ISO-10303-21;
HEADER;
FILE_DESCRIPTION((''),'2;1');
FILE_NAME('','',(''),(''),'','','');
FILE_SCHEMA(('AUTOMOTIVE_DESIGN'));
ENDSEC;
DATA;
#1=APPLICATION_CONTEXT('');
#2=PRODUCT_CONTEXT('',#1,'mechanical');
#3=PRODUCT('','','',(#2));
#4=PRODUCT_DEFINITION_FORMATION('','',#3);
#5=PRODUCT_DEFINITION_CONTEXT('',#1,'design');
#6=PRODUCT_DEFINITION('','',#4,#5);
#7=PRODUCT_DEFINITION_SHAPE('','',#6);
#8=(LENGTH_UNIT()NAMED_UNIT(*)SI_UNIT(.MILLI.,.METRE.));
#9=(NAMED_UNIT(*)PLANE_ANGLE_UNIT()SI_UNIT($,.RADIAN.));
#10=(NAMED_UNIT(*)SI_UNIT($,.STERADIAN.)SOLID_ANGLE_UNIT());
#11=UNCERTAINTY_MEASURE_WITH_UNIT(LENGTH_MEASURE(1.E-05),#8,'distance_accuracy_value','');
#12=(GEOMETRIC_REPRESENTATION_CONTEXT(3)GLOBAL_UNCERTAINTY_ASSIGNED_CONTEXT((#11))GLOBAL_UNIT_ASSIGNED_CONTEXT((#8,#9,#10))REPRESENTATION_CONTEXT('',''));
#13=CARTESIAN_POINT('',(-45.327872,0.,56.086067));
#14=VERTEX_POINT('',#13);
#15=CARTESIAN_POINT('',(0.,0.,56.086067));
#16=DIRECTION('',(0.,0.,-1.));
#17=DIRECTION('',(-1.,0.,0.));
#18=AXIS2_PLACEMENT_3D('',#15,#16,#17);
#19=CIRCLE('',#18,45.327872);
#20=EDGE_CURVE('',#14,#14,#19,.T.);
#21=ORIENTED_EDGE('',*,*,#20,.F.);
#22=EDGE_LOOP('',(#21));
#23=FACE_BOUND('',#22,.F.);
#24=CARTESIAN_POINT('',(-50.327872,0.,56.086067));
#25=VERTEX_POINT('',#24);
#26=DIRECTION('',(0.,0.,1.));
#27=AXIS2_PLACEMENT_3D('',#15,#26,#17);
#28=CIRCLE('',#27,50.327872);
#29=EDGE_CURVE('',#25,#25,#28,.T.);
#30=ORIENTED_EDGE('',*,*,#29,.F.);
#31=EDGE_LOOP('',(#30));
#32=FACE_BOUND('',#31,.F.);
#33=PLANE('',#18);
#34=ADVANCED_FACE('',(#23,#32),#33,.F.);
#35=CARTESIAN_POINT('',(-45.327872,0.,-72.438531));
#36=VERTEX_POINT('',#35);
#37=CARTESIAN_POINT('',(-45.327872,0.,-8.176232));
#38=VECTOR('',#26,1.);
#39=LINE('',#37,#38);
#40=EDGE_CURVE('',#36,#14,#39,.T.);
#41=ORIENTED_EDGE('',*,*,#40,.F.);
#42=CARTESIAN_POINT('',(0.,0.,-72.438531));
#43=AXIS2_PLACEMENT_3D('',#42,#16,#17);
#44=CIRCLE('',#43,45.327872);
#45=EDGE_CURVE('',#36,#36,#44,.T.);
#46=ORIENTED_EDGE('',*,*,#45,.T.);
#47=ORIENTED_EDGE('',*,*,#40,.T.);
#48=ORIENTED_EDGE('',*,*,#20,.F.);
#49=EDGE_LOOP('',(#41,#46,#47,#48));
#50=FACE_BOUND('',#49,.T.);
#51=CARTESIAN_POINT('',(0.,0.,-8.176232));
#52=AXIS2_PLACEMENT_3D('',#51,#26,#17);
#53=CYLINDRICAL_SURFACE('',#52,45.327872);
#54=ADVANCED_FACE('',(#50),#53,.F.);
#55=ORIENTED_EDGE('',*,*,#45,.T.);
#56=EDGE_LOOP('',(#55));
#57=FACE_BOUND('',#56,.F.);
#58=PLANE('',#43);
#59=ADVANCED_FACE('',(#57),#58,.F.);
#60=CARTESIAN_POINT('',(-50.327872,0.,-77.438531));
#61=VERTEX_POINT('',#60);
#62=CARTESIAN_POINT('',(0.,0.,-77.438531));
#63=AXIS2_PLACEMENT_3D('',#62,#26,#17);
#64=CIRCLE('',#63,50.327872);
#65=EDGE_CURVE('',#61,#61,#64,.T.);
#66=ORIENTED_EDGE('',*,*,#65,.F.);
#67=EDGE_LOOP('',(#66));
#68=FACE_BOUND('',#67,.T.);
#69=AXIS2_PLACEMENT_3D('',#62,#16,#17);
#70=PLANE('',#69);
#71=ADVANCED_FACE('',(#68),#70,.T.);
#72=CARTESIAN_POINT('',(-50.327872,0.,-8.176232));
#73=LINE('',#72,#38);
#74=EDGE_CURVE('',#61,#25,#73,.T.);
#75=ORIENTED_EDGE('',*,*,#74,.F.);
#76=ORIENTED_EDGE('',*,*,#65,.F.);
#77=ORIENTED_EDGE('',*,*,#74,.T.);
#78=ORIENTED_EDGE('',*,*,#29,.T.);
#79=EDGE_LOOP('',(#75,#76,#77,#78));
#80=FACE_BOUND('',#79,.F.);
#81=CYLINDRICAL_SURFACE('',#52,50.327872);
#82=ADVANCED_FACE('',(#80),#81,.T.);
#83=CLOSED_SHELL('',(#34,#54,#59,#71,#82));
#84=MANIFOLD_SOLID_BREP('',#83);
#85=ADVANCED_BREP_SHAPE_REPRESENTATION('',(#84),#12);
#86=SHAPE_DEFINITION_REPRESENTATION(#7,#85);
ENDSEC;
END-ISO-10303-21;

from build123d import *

# Parameters (mm, degrees)
F0_W = 45.3278720379
F0_H = 128.5245977342
F2_T = 5


with BuildPart() as f1:
    # F0 (on Front) → F1 (revolve)
    with BuildSketch(Plane.XZ):
        with Locations((-22.6639360189, -8.1762317568)):
            Rectangle(F0_W, F0_H)
    revolve(axis=Axis((0, 0, -8.1762317568), (0, 0, -1)))

    # F2
    f2_openings = [f1.faces().sort_by_distance(p)[0] for p in [
        (0, 0, 56.086067),
    ]]
    offset(amount=F2_T, openings=f2_openings, kind=Kind.INTERSECTION)


solid = f1.part
